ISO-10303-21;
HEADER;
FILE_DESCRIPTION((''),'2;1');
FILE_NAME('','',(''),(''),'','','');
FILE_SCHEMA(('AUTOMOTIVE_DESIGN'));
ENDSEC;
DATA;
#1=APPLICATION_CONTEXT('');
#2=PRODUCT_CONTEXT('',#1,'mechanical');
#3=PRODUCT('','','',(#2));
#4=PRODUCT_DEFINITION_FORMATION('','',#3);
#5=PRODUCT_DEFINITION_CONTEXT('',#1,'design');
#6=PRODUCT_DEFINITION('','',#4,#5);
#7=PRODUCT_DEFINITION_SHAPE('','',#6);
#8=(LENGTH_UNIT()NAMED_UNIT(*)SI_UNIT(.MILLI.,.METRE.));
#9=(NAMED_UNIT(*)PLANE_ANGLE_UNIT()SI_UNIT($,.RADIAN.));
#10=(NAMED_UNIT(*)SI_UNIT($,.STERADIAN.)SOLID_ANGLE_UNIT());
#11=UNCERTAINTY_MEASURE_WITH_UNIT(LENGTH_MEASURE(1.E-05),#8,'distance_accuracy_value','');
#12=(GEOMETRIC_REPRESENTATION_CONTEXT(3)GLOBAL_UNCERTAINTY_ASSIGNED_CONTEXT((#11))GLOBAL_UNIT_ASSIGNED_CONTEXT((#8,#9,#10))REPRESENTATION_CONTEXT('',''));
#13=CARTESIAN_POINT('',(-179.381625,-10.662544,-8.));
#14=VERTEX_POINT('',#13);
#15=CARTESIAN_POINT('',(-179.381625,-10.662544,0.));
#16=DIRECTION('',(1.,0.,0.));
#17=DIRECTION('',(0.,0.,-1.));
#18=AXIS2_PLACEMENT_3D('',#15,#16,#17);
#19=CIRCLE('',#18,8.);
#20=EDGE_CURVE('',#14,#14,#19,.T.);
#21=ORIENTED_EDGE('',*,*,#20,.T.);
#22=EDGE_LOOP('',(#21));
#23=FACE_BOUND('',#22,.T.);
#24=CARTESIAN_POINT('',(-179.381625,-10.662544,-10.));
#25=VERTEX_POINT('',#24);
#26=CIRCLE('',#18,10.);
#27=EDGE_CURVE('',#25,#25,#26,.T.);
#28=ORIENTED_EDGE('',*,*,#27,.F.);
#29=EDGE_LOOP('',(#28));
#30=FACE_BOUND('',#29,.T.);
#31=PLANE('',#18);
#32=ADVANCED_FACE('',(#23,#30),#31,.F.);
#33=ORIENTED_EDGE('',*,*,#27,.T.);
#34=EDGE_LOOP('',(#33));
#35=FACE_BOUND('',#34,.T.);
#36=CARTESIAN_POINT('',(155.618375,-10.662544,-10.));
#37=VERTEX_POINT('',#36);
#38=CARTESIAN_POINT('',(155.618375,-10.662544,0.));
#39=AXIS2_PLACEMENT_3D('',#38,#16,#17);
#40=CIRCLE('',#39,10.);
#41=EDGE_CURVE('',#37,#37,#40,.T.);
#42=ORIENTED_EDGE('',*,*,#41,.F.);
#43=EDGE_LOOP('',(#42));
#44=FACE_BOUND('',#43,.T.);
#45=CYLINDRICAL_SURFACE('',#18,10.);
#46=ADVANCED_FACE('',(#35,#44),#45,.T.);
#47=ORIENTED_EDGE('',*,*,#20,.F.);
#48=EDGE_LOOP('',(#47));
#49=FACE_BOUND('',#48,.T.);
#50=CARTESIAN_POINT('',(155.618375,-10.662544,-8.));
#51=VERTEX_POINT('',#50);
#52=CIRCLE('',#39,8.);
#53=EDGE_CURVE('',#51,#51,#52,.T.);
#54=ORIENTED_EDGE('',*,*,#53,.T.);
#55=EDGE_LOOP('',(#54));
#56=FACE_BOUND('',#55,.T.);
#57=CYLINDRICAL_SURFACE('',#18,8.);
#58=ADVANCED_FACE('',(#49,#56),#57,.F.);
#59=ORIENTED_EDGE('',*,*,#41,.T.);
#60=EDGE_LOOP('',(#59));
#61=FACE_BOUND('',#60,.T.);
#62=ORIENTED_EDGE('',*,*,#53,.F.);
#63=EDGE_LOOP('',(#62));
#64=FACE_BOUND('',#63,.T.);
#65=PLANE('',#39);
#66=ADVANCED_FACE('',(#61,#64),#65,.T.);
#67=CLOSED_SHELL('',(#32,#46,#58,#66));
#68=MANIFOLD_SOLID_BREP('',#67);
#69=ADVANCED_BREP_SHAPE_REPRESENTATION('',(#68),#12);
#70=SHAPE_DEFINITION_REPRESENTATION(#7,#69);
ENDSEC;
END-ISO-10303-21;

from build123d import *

# Parameters (mm, degrees)
SWEEP_THIN1_PROFILE_R   = 10
SWEEP_THIN1_PROFILE_R_2 = 8


with BuildPart() as part:
    # Sweep-Thin1: sweep along a path in Sketch1
    with BuildLine(Plane.XY) as sweep_thin1_path:
        Line((-179.381625442, -10.66254417), (155.618374558, -10.66254417))
    # Sweep-Thin1 profile (on start of the path) → Sweep-Thin1 (sweep)
    with BuildSketch(Plane(origin=(-179.381625442, -10.66254417, 0), x_dir=(0, 0, 1), z_dir=(1, 0, 0))):
        Circle(SWEEP_THIN1_PROFILE_R)
        Circle(SWEEP_THIN1_PROFILE_R_2, mode=Mode.SUBTRACT)
    sweep(path=sweep_thin1_path.line)


solid = part.part
